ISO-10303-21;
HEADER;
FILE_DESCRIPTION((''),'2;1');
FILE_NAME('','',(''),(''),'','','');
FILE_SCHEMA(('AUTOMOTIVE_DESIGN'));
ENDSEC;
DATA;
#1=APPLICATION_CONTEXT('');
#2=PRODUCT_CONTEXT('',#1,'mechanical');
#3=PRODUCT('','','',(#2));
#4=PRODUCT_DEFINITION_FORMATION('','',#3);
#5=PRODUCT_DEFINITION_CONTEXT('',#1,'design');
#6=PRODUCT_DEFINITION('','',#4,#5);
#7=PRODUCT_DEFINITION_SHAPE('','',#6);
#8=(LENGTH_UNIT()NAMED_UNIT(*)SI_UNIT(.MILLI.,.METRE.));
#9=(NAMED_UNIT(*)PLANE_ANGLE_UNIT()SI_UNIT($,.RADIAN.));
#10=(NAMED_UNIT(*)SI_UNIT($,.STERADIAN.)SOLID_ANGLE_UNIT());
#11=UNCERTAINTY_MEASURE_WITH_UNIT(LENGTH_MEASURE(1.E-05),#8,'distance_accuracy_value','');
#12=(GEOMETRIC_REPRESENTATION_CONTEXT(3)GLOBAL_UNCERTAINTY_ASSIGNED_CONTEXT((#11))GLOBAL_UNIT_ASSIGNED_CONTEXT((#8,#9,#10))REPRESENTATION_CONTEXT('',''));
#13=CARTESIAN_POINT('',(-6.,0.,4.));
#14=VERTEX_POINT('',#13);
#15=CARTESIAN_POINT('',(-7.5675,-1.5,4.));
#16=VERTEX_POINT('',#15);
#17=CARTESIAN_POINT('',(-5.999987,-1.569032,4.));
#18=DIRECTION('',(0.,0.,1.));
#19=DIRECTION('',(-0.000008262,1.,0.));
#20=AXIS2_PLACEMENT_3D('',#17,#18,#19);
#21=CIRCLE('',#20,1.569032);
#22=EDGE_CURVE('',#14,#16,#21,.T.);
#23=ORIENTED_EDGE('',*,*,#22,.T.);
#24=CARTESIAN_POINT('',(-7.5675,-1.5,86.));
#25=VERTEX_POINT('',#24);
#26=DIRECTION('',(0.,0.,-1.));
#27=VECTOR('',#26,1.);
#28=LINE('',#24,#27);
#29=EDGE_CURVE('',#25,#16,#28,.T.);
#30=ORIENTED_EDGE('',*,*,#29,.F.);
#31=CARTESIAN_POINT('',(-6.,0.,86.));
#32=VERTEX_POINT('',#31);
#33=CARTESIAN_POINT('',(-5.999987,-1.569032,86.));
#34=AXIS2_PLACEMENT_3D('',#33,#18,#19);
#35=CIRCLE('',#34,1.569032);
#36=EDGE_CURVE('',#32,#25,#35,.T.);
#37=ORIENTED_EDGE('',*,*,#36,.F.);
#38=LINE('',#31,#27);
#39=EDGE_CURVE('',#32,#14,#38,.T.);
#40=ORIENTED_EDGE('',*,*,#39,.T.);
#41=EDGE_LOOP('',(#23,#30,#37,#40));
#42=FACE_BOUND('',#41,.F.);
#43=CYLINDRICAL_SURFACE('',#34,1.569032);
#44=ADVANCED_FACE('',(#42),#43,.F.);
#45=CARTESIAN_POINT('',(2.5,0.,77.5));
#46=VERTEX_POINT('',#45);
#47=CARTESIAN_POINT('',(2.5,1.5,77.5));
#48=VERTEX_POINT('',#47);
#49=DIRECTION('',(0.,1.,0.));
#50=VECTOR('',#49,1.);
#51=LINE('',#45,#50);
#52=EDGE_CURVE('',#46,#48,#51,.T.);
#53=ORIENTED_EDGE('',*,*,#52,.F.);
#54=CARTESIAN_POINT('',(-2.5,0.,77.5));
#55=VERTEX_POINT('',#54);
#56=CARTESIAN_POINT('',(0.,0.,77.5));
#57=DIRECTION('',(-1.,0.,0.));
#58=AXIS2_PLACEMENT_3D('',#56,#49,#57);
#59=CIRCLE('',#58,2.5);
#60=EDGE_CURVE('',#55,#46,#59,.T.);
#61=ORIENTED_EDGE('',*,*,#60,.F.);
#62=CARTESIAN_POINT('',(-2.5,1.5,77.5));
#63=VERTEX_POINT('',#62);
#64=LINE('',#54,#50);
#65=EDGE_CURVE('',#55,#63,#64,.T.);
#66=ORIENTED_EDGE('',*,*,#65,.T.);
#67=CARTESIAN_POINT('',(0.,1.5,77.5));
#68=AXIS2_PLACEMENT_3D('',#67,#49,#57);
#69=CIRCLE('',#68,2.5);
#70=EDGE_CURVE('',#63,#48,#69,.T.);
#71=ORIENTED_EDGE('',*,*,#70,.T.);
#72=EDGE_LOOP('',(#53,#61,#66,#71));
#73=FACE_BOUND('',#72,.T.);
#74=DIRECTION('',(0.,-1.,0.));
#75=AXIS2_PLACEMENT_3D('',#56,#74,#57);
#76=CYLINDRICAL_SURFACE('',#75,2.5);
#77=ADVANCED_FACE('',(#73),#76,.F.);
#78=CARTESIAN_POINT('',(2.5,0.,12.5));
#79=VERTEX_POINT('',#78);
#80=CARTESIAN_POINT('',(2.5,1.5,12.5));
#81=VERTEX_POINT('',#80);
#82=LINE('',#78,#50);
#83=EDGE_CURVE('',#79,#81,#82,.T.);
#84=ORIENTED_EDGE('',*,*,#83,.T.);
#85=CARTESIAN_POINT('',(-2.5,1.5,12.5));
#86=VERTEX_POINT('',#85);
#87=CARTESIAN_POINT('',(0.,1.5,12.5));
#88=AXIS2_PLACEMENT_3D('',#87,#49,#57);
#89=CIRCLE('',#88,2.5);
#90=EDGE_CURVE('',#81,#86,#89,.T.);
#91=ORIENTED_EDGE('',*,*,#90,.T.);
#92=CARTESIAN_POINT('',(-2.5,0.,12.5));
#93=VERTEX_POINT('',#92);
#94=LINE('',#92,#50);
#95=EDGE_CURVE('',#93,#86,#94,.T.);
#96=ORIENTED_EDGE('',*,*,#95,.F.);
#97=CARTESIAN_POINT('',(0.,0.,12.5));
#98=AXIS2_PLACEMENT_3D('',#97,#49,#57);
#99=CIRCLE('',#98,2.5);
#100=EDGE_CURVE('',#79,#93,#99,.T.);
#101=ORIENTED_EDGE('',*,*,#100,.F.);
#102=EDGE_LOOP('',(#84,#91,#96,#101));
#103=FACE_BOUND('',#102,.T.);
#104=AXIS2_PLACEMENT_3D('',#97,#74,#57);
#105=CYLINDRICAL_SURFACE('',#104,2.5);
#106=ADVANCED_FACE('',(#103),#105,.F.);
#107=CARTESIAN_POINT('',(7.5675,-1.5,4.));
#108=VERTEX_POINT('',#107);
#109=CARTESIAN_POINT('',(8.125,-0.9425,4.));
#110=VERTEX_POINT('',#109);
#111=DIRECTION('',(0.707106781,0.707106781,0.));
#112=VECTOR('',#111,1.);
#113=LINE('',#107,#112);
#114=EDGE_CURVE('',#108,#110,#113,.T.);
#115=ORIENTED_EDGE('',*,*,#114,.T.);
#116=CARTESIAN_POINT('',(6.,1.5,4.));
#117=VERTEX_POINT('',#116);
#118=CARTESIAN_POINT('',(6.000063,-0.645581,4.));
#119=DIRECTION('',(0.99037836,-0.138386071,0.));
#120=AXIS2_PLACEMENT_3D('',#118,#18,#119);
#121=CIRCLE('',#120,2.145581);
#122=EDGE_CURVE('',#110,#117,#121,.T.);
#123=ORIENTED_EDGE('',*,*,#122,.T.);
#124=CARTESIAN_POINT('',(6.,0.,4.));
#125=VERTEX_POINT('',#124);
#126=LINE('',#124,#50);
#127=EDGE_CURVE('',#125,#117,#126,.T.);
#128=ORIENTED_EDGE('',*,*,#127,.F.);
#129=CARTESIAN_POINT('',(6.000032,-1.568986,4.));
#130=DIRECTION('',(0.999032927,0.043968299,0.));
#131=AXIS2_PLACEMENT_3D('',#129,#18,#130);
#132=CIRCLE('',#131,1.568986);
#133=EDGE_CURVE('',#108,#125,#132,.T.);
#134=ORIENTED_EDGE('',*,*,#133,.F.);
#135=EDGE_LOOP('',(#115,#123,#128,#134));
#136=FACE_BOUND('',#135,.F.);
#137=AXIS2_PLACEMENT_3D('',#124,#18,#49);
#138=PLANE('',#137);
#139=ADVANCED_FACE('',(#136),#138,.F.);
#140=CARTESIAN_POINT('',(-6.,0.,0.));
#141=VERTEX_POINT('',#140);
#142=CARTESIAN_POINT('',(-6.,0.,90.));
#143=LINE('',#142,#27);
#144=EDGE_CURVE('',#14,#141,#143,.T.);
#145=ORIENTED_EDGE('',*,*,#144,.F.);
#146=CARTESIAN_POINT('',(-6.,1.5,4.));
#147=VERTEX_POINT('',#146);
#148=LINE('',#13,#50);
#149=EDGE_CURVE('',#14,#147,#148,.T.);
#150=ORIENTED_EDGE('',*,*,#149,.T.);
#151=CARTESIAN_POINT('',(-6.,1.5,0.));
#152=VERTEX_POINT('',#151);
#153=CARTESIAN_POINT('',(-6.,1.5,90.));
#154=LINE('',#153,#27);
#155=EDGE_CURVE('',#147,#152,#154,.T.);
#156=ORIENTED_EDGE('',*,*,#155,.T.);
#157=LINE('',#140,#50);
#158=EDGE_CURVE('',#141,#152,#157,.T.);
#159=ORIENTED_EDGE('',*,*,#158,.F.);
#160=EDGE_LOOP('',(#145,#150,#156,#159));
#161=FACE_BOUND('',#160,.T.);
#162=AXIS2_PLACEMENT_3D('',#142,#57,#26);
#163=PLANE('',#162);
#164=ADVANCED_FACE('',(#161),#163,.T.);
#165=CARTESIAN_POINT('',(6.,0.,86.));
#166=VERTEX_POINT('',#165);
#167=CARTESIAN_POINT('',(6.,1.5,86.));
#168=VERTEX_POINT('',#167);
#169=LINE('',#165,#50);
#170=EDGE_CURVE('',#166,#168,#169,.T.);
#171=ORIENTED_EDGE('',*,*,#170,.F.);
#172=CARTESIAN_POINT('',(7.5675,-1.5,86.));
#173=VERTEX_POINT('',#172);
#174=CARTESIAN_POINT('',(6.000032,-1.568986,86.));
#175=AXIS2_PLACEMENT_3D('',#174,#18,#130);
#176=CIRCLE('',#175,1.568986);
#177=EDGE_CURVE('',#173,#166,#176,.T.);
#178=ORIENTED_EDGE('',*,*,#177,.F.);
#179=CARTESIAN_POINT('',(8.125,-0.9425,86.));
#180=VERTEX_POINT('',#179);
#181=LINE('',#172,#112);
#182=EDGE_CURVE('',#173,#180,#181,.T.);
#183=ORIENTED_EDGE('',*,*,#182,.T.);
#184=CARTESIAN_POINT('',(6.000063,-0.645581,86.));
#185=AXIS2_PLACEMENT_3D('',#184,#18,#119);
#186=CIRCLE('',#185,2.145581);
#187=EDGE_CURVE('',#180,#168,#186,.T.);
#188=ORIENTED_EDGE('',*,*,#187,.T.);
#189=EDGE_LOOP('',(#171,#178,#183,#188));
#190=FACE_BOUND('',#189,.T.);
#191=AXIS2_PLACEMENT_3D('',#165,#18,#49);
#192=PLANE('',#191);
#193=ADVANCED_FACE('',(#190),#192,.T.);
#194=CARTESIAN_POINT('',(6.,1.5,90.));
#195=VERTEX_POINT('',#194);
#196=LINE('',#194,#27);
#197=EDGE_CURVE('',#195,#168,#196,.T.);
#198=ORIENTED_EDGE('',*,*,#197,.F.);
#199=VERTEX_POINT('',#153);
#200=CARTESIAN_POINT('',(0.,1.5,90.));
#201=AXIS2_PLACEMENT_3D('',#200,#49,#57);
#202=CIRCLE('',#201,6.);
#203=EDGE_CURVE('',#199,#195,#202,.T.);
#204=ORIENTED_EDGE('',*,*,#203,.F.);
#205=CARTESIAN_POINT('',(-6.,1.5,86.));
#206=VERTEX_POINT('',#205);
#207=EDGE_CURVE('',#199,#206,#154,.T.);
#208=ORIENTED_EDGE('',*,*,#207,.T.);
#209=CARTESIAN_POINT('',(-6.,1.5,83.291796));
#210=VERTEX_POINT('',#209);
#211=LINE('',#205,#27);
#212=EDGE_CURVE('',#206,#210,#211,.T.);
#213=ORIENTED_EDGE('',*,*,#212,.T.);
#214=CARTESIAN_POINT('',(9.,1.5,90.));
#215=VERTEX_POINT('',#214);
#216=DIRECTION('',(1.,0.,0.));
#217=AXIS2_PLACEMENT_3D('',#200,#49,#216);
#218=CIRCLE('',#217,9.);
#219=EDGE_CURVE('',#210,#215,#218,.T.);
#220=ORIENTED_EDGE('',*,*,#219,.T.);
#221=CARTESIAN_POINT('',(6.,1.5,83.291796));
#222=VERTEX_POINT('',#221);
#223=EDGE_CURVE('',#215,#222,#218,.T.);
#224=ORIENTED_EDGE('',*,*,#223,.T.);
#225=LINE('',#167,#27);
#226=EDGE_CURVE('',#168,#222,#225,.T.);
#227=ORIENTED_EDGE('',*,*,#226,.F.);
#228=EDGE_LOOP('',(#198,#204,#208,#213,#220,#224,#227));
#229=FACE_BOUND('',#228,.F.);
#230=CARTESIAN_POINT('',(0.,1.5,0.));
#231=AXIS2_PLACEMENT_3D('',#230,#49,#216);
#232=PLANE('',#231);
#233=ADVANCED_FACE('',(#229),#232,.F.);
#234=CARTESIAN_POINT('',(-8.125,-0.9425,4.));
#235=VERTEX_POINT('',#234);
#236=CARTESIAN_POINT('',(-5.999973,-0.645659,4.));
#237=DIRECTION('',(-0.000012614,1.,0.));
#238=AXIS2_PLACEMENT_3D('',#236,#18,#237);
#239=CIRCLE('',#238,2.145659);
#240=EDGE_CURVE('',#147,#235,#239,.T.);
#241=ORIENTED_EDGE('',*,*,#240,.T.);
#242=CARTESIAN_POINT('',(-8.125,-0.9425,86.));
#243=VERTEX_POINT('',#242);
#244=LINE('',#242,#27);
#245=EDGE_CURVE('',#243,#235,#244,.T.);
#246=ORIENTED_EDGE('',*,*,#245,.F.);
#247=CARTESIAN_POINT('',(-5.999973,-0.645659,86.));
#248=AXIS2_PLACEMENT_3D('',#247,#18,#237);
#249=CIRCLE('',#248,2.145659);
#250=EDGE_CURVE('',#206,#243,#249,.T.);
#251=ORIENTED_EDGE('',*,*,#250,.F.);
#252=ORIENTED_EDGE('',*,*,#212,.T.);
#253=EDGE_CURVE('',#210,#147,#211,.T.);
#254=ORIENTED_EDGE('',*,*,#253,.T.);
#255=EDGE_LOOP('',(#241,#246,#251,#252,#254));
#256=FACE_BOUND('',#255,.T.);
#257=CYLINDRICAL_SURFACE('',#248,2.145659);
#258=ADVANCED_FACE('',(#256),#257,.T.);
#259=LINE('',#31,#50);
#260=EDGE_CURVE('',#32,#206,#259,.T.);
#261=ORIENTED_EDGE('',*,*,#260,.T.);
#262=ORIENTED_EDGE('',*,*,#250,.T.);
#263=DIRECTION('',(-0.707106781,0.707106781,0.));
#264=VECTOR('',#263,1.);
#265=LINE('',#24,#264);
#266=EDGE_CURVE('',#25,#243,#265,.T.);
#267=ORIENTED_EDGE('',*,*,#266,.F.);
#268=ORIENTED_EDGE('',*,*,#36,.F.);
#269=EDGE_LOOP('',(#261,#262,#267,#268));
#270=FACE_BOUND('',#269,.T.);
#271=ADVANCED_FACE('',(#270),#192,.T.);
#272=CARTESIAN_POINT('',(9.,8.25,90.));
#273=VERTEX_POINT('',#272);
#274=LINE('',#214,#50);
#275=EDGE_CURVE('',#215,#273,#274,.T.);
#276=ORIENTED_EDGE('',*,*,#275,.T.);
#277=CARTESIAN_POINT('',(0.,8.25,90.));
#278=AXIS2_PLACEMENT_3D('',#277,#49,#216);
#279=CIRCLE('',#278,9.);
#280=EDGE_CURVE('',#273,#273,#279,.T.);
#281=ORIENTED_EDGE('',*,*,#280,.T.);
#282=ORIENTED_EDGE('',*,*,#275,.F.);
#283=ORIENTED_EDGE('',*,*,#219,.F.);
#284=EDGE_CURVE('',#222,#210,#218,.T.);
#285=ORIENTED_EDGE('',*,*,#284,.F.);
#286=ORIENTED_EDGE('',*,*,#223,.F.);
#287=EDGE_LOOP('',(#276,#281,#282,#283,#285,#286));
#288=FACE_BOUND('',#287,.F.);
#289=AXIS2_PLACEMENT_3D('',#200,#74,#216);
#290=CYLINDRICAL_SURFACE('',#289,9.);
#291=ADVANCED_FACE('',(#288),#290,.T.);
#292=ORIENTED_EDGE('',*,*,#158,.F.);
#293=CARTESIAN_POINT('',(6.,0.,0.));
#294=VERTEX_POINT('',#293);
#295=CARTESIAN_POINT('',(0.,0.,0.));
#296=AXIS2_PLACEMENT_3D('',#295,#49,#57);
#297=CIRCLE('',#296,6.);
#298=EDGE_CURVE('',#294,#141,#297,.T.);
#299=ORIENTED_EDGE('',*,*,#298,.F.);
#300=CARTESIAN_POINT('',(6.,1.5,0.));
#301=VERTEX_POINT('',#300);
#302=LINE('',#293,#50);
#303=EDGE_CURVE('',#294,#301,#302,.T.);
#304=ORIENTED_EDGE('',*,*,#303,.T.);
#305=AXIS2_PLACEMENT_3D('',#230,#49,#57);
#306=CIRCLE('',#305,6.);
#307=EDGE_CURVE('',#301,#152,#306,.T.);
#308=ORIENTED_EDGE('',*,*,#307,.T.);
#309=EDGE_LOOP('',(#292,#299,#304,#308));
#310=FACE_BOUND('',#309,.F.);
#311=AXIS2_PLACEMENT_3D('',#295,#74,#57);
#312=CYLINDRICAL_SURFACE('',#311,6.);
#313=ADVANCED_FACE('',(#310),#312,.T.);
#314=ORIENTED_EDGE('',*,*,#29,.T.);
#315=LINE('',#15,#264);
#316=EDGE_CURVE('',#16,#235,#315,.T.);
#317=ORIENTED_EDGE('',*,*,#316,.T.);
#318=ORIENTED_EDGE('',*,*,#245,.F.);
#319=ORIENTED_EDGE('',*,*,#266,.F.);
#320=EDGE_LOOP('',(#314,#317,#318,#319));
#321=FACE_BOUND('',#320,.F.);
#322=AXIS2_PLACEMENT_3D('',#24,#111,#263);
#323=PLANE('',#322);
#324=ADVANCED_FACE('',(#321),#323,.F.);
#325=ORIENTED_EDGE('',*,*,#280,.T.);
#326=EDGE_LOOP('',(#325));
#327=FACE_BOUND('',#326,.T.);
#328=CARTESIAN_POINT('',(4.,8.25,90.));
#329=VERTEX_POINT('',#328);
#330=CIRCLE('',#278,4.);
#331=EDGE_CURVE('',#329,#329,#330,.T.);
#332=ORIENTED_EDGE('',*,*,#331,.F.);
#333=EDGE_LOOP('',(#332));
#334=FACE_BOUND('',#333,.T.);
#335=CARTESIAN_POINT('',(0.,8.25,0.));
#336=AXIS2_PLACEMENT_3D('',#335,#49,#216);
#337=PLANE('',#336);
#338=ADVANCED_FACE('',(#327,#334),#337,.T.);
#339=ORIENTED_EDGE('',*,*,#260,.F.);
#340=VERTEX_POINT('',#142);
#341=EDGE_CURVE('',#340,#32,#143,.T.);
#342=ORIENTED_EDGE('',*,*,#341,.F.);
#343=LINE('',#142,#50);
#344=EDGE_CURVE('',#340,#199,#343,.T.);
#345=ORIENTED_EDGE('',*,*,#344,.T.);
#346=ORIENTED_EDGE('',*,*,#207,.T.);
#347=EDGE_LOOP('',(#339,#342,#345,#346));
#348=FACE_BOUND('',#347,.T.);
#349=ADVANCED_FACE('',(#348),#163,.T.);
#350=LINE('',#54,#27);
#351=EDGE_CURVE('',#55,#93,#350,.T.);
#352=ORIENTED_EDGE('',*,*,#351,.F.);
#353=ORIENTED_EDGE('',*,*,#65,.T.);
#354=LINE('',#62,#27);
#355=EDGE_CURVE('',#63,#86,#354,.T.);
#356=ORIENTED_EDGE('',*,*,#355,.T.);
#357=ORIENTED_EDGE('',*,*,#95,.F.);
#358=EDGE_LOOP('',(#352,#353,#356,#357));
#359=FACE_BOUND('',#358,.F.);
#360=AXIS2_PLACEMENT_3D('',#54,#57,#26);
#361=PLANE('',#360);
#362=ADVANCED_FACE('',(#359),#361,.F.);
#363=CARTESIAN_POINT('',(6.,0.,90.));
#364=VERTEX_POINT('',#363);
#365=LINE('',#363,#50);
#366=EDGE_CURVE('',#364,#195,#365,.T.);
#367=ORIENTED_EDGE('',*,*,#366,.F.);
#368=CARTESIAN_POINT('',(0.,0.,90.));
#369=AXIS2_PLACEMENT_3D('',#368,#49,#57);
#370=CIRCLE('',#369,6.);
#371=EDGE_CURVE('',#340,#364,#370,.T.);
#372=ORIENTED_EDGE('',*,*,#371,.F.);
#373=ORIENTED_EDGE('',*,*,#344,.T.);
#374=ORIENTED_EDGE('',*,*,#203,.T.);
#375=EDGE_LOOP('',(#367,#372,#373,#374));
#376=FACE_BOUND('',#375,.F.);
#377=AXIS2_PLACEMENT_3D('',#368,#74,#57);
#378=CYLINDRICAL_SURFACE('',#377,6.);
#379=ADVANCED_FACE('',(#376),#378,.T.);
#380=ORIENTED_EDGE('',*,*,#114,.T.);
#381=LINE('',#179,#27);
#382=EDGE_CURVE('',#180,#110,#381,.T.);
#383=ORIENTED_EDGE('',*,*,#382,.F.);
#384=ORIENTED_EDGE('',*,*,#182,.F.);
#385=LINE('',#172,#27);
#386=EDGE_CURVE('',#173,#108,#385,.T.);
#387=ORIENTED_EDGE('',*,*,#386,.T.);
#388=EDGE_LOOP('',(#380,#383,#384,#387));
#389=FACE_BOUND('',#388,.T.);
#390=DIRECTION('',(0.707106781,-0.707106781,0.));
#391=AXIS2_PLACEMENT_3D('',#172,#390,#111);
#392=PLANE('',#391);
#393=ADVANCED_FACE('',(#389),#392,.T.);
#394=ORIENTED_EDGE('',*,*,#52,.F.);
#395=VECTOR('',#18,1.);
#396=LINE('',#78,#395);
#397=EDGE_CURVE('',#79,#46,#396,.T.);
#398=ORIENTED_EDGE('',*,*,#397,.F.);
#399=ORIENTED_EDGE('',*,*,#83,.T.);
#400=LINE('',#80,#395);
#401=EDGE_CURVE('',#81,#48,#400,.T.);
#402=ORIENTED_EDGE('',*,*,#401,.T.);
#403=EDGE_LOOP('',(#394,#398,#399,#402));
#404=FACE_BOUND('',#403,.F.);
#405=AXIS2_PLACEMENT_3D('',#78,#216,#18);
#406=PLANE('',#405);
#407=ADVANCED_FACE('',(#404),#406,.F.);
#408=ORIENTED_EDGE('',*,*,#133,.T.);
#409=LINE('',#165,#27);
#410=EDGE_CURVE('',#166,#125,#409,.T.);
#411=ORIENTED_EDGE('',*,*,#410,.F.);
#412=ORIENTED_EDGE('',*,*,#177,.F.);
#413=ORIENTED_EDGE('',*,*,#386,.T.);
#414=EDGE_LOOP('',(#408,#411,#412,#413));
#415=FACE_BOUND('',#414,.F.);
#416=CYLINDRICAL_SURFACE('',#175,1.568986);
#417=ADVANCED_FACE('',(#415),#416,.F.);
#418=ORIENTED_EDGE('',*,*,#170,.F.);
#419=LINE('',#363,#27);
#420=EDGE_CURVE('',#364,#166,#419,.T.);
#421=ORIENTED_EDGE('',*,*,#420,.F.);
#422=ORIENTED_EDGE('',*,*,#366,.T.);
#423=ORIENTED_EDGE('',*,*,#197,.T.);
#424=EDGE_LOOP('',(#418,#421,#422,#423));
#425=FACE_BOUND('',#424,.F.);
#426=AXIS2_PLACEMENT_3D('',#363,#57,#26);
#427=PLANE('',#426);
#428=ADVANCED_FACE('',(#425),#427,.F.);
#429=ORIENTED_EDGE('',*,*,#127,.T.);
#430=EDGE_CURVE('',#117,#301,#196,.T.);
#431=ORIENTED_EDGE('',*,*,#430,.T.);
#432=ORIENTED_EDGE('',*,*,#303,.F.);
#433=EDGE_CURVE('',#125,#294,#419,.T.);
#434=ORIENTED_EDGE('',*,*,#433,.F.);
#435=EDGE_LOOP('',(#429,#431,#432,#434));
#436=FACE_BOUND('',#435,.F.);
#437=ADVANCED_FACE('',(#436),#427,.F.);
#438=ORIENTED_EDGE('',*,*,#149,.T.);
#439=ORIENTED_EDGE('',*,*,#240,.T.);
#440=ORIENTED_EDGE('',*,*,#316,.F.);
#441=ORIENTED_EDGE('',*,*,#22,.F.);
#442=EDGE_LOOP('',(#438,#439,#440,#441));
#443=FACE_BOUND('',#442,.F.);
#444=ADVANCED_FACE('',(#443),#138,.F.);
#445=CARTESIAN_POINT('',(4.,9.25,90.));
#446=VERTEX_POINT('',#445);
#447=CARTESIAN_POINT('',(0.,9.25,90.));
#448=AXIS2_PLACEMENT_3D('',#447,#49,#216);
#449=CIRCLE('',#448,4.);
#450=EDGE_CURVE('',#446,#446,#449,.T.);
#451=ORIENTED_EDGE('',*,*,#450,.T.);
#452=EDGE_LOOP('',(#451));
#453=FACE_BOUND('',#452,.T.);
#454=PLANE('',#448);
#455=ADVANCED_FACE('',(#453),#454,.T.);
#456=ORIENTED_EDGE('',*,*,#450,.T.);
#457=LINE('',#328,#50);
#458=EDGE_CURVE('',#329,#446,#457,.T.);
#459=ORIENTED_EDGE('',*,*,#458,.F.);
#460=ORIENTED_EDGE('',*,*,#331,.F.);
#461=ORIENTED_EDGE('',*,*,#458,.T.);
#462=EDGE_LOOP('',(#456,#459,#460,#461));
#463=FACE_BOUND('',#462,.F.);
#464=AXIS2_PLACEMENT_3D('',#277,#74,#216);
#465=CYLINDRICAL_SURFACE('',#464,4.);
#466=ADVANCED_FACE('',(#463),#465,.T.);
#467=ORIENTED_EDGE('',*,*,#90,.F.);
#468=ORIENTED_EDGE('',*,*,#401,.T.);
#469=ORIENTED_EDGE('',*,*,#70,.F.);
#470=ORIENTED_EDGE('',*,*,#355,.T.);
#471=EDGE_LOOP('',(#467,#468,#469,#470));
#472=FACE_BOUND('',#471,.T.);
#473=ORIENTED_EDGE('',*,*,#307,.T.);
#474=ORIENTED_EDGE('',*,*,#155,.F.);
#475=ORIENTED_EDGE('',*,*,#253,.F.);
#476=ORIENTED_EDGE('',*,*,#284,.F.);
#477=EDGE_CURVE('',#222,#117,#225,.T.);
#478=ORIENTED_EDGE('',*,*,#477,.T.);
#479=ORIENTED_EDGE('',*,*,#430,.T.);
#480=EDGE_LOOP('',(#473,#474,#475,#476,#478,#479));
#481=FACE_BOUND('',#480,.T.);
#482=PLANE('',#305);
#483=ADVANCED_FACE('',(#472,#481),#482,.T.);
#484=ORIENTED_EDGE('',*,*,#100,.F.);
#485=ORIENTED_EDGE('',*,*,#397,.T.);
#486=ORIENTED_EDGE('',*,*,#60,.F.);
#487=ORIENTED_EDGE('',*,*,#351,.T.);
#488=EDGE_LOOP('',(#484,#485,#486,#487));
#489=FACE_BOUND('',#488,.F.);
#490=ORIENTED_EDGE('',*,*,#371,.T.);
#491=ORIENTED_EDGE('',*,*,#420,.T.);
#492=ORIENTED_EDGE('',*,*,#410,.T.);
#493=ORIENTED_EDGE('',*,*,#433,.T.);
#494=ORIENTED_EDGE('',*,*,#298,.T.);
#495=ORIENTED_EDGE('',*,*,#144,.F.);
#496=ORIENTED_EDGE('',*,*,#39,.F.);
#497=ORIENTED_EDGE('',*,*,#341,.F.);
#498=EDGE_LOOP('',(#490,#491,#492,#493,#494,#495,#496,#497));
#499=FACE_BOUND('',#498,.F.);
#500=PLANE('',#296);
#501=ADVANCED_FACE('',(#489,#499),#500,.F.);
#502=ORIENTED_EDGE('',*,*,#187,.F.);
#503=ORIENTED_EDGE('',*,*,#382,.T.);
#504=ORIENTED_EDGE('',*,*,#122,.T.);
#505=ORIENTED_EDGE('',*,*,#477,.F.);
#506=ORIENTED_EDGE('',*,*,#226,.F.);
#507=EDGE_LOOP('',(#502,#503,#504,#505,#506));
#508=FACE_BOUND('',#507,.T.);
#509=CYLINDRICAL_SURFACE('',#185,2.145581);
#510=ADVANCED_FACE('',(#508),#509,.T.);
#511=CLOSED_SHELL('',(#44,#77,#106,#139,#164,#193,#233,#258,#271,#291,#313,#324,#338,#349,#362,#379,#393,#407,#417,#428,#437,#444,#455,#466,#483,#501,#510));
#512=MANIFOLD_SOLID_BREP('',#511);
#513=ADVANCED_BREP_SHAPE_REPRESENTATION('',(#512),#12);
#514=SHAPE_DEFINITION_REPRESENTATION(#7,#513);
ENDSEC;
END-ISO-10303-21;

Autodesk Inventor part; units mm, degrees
ref_plane "YZ Plane" through (0, 0, 0) normal (1, 0, 0) x (0, 1, 0)
ref_plane "XZ Plane" through (0, 0, 0) normal (0, 1, 0) x (-1, 0, 0)
sketch "Sketch1" plane through (0, 0, 0) normal (0, 1, 0) x (-1, 0, 0)
  circle A0 centre (0, 0) radius 6
  line L0 (0, 0) -> (0, 90) construction
  circle A1 centre (0, 90) radius 6
  line L1 (12.9035, -6) -> (-17.4473, -6) construction
  line L2 (12.9035, 96) -> (-17.4473, 96) construction
  line L3 (6, 90) -> (6, 0)
  line L4 (-6, 90) -> (-6, 0)
  line L5 (12.9035, 10) -> (-17.4473, 10) construction
  line L6 (12.7918, 80) -> (-17.559, 80) construction
  circle A2 centre (0, 77.5) radius 2.5
  circle A3 centre (0, 12.5) radius 2.5
  line L7 (2.5, 77.5) -> (2.5, 12.5)
  line L8 (-2.5, 12.5) -> (-2.5, 77.5)
  dimension "d0" = 12
  dimension "d1" = 12
  dimension "d2" = 102
  dimension "d3" = 70
  dimension "d4" = 16
  dimension "d5" = 5
  dimension "d6" = 5
extrude "Extrusion1" add sketch "Sketch1" along normal blind 1.5
ref_plane "Work Plane2" through (6, 0, 86) normal (0, 0, 1) x (0, 1, 0)
ref_plane "Work Plane1" through (6, 0, 90) normal (0, 0, 1) x (0, 1, 0)
sketch "Sketch2" plane through (6, 0, 86) normal (0, 0, 1) x (0, 1, 0)
  line L0 (1.5, 0) -> (1.5, 12) projected
  line L1 (-1.5, -2.125) -> (1.5, -2.125) construction
  line L2 (1.5, -2.125) -> (1.5, 14.125) construction
  line L3 (1.5, 14.125) -> (-1.5, 14.125) construction
  line L4 (-1.5, 14.125) -> (-1.5, -2.125) construction
  line L5 (0, 12) -> (1.5, 12) projected
  line L6 (0, 12) -> (0, 0) projected
  line L7 (0, 0) -> (1.5, 0) projected
  line L8 (1.5, 12) -> (1.5, 0) projected
  line L9 (0, 12) -> (1.5, 12) projected
  arc A0 (1.5, 12) -> (-0.9425, 14.125) centre (-0.6456, 12) ccw
  arc A1 (0, 12) -> (-1.5, 13.5675) centre (-1.569, 12) ccw
  line L10 (-1.5, 13.5675) -> (-0.9425, 14.125)
  line L11 (0, 0) -> (0, 12) projected
  line L12 (0, 6) -> (-3.8255, 6) construction
  arc A2 (-0.9425, -2.125) -> (1.5, 0) centre (-0.6456, 0) ccw
  arc A3 (-1.5, -1.5675) -> (0, 0) centre (-1.569, 0) ccw
  line L13 (-1.5, -1.5675) -> (-0.9425, -2.125)
  dimension "d11" = 3
  dimension "d12" = 16.25
  dimension "d13" = 2.125
  dimension "d15" = 1.5
  dimension "d16" = 45
extrude "Extrusion2" add sketch "Sketch2" against normal blind 82 contours A2 L13 A3 L7 | L5 A1 L10 A0
sketch "Sketch3" plane through (0, 1.5, 0) normal (0, 1, 0) x (1, 0, 0)
  arc A0 (-6, -90) -> (6, -90) centre (0, -90) ccw projected
  circle A1 centre (0, -90) radius 9
  point P0 (0, 0)
  dimension "d19" = 18
extrude "Extrusion3" add sketch "Sketch3" along normal blind 6.75
sketch "Sketch4" plane through (0, 8.25, 90) normal (0, 1, 0) x (1, 0, 0)
  circle A0 centre (0, 0) radius 4
  point P0 (0, 90)
  dimension "d22" = 8
extrude "Extrusion4" add sketch "Sketch4" along normal blind 1
equation "\"d1\" = d0"
equation "\"d6\" = d5"
properties part number "High Voltage Limit Switch Arm"
